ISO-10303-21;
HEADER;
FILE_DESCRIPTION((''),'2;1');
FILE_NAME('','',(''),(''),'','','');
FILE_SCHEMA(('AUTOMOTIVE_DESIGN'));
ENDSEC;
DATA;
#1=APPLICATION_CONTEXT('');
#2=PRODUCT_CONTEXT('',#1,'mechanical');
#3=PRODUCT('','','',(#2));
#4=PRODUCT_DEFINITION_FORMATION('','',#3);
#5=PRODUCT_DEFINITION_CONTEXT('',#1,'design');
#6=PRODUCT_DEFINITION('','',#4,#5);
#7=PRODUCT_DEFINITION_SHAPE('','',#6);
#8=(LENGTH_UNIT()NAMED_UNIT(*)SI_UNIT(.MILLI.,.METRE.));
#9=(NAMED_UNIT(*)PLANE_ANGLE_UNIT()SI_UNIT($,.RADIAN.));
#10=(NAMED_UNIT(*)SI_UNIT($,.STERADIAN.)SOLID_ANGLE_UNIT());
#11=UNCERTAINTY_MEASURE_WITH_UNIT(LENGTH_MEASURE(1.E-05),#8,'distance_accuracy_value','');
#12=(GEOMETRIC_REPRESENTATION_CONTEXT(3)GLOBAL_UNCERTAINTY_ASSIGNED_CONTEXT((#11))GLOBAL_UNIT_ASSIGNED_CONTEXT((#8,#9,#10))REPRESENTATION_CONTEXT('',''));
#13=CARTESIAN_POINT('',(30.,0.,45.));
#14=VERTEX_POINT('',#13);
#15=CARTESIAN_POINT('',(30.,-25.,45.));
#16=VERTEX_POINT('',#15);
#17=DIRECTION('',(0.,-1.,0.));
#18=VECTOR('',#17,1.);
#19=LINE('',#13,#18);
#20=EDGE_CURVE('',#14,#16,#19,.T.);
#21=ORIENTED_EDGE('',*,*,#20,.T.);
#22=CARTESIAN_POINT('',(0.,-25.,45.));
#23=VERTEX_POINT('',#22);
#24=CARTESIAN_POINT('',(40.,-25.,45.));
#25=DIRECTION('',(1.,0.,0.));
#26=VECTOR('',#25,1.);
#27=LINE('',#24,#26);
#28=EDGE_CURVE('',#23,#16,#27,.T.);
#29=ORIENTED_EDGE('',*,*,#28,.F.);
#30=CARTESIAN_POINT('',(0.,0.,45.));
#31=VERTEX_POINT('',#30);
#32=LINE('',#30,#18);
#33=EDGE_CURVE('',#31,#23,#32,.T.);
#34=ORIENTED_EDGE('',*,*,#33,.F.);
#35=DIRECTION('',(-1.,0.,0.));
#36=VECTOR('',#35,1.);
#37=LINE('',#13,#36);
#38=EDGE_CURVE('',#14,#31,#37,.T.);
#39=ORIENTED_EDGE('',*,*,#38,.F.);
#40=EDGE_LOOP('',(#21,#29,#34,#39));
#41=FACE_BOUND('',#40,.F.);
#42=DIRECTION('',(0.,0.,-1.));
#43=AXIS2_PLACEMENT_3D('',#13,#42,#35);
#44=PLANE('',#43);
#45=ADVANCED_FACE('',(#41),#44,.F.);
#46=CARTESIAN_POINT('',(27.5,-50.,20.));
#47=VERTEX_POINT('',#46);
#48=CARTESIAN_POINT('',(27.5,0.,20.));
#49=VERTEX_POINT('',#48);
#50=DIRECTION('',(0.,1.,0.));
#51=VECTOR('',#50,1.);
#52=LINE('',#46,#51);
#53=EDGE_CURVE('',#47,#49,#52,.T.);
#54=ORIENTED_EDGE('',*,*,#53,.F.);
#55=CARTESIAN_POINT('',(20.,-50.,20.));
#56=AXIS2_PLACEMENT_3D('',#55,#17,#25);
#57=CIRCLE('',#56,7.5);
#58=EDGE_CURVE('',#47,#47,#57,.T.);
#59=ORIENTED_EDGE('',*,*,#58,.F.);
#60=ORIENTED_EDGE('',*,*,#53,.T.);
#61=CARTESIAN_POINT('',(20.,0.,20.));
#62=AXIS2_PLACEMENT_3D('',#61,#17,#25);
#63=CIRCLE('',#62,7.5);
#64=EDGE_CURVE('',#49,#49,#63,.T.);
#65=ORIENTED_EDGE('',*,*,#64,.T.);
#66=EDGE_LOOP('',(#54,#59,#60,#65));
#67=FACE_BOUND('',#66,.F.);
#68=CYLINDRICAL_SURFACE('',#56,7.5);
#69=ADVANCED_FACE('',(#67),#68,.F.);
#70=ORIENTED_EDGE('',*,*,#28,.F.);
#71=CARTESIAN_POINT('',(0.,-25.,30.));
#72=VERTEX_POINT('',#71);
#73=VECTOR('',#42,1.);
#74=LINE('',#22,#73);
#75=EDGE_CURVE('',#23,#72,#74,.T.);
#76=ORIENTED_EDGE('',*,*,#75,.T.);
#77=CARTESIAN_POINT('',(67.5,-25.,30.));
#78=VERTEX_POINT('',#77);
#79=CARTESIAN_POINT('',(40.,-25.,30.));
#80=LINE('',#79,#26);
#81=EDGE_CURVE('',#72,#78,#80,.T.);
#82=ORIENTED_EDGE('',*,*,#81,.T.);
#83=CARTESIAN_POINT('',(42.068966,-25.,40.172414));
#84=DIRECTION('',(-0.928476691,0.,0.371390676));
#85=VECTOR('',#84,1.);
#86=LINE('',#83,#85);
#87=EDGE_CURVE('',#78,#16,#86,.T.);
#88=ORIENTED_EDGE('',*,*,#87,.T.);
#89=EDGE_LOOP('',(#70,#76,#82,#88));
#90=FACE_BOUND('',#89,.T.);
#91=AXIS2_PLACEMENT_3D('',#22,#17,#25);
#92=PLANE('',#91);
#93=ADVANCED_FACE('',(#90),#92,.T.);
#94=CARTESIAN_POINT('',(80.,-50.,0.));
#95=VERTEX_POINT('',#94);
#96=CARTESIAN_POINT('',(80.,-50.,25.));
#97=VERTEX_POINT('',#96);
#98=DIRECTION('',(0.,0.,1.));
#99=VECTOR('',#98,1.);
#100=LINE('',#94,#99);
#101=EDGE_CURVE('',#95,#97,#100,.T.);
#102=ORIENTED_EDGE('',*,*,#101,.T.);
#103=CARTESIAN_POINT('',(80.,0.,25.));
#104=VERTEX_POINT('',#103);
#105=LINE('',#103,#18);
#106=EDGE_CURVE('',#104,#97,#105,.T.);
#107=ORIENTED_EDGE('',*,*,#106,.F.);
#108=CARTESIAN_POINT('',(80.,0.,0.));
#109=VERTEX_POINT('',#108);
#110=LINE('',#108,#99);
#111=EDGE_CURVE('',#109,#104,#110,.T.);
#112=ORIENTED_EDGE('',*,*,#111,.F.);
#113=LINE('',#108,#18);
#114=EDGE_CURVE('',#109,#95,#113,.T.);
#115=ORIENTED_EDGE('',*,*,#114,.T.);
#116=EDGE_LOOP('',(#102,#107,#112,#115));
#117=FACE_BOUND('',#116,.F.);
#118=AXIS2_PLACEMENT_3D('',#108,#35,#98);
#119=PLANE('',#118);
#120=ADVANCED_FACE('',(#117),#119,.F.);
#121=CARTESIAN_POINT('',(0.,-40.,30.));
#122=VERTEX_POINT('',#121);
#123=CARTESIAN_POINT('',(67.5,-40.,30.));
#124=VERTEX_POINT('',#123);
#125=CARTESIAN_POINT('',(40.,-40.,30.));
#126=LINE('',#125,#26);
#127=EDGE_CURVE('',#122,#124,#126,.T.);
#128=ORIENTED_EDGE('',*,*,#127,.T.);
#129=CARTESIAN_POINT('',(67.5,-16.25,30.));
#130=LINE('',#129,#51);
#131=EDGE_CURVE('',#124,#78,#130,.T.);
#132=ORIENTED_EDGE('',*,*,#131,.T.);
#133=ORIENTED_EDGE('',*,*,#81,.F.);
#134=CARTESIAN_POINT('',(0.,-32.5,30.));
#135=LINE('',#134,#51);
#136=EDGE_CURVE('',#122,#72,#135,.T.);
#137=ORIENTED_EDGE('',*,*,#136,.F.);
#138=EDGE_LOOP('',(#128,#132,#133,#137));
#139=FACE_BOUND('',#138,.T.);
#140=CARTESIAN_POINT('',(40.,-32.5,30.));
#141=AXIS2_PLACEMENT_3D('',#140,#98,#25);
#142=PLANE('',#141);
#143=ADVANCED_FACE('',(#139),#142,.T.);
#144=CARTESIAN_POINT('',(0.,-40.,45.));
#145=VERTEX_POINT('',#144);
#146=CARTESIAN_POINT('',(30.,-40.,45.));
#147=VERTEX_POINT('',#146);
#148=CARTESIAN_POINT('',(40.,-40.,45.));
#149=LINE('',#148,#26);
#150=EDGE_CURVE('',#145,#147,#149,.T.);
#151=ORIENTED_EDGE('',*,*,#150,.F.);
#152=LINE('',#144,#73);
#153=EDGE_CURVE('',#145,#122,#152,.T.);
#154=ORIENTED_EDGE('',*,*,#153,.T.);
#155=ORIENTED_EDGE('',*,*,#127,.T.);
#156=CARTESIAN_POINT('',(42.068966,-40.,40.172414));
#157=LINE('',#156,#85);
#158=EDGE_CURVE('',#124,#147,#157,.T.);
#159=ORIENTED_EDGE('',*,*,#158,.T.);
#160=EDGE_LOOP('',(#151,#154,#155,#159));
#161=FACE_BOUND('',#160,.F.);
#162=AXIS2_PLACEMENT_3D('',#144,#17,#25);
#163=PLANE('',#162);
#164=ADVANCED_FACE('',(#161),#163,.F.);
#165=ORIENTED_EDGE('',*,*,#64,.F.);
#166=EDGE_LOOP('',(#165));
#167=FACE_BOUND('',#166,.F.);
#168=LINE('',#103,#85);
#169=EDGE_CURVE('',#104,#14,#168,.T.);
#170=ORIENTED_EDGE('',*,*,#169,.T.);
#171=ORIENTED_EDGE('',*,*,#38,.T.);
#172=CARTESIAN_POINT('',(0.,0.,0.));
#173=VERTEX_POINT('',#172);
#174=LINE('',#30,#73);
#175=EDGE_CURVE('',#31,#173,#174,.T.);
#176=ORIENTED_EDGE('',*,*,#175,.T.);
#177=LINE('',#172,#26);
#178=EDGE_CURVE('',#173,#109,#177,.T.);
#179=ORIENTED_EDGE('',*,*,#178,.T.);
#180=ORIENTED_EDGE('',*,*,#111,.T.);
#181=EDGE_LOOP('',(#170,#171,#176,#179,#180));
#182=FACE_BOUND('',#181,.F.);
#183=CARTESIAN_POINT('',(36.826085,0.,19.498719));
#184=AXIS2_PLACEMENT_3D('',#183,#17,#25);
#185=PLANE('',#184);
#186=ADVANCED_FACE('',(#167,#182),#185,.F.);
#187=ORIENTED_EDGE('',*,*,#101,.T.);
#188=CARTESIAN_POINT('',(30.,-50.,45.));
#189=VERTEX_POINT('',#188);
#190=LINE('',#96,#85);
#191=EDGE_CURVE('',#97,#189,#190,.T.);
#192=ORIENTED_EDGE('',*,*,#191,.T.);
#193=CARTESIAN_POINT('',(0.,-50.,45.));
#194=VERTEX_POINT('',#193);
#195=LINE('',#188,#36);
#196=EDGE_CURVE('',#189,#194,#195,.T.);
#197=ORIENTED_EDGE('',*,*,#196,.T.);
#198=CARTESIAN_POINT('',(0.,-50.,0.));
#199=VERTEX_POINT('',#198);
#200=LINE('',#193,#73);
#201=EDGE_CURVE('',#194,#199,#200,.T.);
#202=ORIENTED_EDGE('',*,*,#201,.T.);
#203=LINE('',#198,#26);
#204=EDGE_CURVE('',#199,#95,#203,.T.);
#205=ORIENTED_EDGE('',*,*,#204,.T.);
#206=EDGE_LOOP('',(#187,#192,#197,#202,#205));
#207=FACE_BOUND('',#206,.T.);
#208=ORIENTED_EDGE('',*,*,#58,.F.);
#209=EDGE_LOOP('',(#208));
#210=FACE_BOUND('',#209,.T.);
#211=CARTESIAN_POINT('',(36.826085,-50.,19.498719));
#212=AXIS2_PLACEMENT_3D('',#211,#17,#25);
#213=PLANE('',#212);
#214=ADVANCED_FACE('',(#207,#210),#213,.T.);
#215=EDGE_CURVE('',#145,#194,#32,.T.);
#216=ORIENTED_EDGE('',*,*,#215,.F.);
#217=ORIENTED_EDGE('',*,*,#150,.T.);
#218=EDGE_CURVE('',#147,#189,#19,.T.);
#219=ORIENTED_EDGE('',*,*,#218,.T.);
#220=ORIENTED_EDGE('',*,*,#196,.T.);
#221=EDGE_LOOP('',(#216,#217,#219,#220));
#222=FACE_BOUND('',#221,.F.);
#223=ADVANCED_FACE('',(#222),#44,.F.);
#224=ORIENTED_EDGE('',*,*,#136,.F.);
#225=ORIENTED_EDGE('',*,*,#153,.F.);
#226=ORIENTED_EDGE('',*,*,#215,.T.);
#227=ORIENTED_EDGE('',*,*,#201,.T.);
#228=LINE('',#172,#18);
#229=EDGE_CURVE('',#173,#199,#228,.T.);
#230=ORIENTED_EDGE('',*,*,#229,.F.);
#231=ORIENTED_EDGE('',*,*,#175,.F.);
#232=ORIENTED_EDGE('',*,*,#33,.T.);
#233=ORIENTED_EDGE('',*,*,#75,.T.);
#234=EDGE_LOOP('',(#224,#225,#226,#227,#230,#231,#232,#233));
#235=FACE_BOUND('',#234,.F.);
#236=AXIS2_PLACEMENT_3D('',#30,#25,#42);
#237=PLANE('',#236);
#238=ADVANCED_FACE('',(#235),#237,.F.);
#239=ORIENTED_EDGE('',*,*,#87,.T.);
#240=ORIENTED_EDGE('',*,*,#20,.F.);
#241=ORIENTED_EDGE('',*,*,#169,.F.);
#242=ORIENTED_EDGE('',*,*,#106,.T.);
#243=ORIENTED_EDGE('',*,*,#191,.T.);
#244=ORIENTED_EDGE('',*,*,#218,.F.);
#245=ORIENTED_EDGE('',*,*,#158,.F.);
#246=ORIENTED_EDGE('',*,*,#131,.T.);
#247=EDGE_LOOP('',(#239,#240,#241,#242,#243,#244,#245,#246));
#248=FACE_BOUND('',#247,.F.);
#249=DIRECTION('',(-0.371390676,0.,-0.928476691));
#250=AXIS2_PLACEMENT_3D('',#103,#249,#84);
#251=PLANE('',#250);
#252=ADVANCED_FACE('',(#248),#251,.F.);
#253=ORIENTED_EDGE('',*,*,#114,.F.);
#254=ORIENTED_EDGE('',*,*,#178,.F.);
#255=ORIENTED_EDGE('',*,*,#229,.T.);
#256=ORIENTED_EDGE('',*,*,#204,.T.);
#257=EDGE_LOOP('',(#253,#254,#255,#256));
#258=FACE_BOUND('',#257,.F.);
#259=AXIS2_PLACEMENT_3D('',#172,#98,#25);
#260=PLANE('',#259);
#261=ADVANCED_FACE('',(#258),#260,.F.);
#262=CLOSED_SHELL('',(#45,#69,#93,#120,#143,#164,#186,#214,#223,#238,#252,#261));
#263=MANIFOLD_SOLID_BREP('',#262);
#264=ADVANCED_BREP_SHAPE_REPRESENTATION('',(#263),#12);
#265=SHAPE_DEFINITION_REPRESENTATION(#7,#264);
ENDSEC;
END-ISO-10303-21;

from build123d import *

# Parameters (mm, degrees)
F1_DEPTH = 50
F2_R     = 7.5
F3_DEPTH = 50.001
F5_W     = 80
F5_H     = 15
F6_DEPTH = 15


with BuildPart() as f1:
    # F0 (on Front) → F1 (new body)
    with BuildSketch(Plane.XZ):
        Polygon((0, 45), (0, 0), (80, 0), (80, 25), (30, 45), align=None)
    extrude(amount=F1_DEPTH)

    # F2 (on face) → F3 (cut, through all)
    with BuildSketch(Plane.XZ.offset(50)):
        with Locations((20, 20)):
            Circle(F2_R)
    extrude(amount=-F3_DEPTH, mode=Mode.SUBTRACT)

    # F5 (on face) → F6 (cut, through all)
    with BuildSketch(Plane.XY.offset(45)):
        with Locations((40, -32.5)):
            Rectangle(F5_W, F5_H)
    extrude(amount=-F6_DEPTH, mode=Mode.SUBTRACT)


solid = f1.part
